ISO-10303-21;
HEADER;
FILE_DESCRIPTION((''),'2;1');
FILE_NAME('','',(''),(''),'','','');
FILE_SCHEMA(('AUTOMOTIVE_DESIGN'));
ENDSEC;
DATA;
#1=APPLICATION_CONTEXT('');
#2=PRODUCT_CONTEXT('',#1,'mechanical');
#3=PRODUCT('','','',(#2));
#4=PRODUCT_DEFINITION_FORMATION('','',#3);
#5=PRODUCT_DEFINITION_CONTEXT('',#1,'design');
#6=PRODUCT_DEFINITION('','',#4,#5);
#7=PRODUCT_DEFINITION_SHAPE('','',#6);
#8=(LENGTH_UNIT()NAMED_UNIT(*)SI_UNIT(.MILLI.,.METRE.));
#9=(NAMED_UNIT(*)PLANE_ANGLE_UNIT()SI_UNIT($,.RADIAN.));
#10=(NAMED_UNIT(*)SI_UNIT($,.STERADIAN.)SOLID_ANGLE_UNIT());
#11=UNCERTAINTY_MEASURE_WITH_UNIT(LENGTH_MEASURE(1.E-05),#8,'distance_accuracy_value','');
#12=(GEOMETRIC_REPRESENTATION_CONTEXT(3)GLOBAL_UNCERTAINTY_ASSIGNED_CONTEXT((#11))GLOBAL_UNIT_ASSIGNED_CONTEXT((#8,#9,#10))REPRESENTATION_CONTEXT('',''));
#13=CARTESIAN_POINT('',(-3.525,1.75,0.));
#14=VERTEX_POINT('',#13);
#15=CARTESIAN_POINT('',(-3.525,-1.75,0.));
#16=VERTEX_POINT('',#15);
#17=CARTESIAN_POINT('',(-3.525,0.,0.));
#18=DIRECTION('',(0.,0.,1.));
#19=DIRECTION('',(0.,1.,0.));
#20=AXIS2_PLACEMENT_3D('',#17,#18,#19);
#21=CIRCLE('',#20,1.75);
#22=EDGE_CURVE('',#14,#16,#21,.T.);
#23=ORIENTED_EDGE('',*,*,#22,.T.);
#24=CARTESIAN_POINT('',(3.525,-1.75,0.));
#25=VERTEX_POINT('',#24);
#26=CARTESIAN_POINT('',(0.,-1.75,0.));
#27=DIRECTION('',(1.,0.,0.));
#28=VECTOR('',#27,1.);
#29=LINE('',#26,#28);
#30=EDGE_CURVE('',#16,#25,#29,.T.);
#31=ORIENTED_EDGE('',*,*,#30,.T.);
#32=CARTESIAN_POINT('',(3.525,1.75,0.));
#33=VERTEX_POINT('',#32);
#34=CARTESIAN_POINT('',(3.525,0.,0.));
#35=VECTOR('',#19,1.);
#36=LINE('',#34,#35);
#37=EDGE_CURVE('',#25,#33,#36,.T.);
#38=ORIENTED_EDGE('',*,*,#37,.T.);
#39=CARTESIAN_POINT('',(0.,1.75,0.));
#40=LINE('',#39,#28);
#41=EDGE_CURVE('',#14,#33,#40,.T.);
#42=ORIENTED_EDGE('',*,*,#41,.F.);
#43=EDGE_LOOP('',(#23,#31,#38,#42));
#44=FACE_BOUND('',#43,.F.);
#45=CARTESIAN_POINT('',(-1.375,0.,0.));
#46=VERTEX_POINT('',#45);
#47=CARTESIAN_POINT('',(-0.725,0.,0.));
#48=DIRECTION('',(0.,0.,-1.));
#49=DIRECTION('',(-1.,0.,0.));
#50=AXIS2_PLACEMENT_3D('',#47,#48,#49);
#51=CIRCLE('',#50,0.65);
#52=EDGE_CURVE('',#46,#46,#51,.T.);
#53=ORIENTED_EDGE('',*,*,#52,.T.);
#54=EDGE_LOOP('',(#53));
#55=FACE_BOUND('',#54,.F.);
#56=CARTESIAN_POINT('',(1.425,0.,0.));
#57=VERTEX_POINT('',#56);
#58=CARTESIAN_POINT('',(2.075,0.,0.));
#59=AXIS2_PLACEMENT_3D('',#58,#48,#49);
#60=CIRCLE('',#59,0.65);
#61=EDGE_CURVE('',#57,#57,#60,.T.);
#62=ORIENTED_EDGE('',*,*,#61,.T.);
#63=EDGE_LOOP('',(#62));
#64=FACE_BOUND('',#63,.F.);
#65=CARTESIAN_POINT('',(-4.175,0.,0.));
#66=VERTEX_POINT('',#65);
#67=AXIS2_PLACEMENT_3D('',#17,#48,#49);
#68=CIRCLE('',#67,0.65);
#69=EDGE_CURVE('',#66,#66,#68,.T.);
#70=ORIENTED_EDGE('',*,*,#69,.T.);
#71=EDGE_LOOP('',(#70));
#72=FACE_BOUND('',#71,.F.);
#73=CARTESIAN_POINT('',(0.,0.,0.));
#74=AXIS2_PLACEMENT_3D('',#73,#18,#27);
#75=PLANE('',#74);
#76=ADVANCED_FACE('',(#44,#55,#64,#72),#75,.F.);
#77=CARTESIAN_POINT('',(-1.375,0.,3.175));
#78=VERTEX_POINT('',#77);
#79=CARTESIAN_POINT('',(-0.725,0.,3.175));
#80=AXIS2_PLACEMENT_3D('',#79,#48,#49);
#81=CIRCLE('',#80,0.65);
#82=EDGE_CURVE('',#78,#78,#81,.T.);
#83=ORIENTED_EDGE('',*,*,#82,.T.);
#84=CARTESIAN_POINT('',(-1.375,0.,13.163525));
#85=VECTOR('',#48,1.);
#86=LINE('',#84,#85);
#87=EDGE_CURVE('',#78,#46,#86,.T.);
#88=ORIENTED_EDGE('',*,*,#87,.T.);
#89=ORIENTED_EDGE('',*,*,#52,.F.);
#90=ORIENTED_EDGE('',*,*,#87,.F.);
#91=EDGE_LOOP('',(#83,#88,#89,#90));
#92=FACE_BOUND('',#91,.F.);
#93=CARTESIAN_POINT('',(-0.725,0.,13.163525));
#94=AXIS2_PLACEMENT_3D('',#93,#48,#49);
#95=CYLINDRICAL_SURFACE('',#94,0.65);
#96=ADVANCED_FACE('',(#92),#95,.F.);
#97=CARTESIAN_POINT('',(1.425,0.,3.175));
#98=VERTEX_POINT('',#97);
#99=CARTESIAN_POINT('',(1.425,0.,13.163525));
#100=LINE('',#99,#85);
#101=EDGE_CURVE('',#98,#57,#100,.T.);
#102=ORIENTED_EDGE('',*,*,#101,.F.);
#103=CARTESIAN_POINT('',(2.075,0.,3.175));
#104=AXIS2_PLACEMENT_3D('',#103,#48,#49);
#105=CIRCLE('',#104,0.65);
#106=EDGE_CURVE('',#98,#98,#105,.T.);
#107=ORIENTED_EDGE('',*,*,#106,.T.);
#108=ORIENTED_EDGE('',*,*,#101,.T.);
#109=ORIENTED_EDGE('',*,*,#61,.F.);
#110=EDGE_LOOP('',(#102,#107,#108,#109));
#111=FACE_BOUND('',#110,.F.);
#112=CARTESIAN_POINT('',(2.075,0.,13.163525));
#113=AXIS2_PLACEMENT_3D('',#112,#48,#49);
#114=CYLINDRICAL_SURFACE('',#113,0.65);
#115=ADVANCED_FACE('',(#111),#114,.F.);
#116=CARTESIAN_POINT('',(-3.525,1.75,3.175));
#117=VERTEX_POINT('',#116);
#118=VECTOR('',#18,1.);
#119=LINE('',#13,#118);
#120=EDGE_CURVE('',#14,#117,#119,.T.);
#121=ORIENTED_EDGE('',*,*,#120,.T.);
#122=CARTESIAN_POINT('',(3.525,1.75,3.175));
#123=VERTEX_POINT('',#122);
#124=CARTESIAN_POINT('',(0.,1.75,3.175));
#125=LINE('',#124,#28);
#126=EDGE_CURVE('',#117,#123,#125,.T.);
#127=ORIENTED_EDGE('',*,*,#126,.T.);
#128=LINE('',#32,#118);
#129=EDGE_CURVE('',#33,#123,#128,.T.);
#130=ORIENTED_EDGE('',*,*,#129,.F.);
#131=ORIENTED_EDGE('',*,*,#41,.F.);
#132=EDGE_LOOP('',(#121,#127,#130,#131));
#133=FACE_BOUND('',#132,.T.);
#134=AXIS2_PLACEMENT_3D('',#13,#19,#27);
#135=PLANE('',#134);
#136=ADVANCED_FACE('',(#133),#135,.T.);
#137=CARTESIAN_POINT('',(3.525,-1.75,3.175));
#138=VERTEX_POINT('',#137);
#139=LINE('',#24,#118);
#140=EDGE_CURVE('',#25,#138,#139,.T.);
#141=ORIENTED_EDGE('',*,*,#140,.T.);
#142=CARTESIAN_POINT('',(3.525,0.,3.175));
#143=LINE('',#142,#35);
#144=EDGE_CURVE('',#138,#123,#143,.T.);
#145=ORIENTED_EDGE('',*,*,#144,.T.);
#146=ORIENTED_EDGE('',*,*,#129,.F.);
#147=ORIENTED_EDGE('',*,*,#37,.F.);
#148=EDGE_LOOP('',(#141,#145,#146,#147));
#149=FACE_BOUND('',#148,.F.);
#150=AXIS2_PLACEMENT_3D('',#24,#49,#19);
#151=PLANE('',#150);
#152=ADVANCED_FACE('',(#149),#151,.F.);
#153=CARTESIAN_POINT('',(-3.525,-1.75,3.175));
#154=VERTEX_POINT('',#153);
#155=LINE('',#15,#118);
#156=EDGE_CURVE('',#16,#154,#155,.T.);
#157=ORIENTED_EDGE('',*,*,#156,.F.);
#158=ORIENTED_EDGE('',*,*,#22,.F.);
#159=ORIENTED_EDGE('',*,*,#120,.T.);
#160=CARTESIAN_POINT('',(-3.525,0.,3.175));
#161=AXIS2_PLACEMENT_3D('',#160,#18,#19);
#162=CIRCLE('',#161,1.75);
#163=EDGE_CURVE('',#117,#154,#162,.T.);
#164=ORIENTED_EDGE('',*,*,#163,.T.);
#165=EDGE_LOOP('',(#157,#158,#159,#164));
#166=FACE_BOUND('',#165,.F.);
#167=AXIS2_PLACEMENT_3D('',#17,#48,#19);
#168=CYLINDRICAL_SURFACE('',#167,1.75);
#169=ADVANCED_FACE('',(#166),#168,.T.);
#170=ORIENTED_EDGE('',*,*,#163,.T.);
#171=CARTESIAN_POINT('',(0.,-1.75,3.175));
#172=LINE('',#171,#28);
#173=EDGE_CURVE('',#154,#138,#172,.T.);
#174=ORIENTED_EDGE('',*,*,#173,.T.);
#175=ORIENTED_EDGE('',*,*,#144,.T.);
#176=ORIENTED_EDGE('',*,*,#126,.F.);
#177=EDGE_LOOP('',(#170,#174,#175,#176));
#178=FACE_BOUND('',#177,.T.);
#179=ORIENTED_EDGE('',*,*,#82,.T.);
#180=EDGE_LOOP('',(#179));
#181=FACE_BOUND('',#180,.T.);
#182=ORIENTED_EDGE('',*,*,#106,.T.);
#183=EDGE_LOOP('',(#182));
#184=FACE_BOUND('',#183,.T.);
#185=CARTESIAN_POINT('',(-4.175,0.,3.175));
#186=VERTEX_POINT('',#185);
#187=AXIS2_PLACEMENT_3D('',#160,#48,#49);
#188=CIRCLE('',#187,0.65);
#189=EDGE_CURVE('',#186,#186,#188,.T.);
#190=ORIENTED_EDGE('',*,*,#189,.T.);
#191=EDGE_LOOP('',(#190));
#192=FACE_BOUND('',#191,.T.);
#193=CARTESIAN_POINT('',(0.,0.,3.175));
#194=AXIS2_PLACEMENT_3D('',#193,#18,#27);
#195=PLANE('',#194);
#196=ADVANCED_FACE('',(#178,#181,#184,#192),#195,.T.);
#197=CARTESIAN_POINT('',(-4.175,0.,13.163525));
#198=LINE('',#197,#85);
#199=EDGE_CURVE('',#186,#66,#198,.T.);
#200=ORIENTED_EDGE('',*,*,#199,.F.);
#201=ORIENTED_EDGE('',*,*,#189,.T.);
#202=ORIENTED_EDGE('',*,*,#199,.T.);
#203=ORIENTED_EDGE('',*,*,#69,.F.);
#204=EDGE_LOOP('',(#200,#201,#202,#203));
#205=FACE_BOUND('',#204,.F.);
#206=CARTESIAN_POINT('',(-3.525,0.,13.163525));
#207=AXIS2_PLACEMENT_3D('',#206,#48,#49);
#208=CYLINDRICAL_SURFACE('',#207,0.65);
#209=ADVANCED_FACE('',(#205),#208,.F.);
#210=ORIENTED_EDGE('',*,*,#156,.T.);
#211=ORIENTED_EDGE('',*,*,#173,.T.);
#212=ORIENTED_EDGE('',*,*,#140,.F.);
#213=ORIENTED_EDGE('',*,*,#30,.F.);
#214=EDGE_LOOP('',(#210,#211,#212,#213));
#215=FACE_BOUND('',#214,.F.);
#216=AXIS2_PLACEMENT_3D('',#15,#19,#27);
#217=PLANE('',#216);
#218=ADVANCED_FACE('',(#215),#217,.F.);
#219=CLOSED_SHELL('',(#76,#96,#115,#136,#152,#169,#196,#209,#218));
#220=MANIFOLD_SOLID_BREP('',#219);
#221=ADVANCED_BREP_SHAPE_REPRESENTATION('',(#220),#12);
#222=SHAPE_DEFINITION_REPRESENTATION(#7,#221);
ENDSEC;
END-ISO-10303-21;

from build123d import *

# Parameters (mm, degrees)
F0_W     = 7.05
F0_H     = 3.5
F1_DEPTH = 3.175
F3_D     = 1.3


with BuildPart() as f1:
    # F0 (on Top) → F1 (new body)
    with BuildSketch(Plane.XY):
        Rectangle(F0_W, F0_H)
        with BuildLine():
            Line((-3.525, -1.75), (-3.525, 1.75))
            ThreePointArc((-3.525, 1.75), (-5.275, 0), (-3.525, -1.75))
        make_face()
    extrude(amount=F1_DEPTH)

    # F3 (through all)
    with Locations(Plane.XY.offset(3.175)):
        with Locations((-0.725, 0), (-3.525, 0), (2.075, 0)):
            Hole(F3_D / 2)


solid = f1.part
